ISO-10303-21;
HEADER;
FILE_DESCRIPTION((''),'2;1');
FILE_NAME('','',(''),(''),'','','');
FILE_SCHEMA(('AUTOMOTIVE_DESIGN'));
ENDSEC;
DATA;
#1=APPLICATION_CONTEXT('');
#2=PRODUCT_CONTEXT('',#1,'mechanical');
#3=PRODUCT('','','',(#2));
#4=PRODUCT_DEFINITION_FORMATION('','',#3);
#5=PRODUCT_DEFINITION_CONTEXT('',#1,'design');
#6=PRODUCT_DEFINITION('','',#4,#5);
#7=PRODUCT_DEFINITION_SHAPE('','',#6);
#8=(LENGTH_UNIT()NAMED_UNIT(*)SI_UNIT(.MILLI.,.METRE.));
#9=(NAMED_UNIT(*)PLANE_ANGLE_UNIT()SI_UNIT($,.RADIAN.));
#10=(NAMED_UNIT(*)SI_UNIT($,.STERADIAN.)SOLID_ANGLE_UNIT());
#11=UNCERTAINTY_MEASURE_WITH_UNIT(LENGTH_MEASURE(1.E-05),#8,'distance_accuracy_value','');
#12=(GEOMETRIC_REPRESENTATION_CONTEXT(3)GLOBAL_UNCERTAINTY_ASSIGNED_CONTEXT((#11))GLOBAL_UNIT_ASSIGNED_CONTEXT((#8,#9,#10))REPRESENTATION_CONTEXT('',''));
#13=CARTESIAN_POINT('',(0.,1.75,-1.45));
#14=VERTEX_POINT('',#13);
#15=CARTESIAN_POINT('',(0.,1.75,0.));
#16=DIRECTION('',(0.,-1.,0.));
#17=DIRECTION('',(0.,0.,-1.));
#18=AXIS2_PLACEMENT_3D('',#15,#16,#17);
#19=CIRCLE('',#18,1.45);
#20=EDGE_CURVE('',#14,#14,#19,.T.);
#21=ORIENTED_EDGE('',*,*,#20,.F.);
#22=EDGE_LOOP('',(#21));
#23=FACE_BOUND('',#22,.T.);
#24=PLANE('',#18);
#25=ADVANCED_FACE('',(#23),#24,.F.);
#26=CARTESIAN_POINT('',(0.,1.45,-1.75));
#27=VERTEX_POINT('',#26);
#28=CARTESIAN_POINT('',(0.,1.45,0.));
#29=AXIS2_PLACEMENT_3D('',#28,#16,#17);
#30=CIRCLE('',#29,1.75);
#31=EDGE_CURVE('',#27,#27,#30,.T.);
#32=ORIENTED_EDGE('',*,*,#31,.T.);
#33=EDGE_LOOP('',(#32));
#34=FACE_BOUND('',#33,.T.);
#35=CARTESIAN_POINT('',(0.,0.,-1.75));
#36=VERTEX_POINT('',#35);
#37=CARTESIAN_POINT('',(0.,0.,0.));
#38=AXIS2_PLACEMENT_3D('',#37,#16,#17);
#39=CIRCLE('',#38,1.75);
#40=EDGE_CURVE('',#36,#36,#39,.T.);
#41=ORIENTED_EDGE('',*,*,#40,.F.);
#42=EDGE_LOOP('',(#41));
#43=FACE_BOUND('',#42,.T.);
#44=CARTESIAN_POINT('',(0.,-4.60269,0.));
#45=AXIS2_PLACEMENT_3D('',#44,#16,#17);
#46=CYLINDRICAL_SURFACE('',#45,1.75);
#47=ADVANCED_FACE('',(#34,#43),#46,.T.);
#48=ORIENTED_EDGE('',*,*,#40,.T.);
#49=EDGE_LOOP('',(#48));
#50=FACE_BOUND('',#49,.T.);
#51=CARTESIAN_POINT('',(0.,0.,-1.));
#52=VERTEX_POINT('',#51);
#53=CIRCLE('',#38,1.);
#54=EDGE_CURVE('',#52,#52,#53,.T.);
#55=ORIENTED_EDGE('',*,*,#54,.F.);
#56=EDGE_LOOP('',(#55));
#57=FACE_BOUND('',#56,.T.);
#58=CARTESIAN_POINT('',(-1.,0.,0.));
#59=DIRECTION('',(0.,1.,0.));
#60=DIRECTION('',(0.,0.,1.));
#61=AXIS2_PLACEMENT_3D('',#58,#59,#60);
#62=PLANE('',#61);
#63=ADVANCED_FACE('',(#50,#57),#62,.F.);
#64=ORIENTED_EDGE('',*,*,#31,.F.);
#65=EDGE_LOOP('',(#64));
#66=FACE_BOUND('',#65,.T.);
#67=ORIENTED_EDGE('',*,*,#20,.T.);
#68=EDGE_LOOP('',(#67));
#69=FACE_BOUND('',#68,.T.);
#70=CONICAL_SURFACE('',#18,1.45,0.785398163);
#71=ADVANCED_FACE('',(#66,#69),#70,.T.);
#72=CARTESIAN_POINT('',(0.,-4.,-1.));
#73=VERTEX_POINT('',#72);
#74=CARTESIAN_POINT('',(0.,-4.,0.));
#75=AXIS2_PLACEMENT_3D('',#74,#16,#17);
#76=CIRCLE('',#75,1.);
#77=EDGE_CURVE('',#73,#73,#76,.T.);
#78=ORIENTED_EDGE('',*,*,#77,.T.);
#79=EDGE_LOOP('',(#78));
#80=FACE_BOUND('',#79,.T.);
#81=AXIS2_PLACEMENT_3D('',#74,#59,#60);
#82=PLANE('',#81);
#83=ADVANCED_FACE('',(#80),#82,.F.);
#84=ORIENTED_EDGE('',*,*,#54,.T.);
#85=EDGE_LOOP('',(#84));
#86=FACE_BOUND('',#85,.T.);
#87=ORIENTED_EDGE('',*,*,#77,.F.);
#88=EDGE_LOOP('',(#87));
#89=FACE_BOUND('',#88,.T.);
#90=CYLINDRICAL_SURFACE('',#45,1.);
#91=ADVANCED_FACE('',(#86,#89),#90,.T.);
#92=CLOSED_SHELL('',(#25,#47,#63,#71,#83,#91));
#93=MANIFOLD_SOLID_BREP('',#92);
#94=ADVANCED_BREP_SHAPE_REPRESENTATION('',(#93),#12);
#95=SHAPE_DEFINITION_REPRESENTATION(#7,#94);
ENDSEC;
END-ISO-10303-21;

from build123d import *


with BuildPart() as part:
    # Sketch1 → Revolve1 (revolve)
    with BuildSketch(Plane.XY):
        Polygon((-1.45, 1.75), (-1.75, 1.45), (-1.75, 0), (-1, 0), (-1, -4), (0, -4), (0, 1.75), align=None)
    revolve(axis=Axis((0, -4.602690382, 0), (0, 1, 0)))


solid = part.part
